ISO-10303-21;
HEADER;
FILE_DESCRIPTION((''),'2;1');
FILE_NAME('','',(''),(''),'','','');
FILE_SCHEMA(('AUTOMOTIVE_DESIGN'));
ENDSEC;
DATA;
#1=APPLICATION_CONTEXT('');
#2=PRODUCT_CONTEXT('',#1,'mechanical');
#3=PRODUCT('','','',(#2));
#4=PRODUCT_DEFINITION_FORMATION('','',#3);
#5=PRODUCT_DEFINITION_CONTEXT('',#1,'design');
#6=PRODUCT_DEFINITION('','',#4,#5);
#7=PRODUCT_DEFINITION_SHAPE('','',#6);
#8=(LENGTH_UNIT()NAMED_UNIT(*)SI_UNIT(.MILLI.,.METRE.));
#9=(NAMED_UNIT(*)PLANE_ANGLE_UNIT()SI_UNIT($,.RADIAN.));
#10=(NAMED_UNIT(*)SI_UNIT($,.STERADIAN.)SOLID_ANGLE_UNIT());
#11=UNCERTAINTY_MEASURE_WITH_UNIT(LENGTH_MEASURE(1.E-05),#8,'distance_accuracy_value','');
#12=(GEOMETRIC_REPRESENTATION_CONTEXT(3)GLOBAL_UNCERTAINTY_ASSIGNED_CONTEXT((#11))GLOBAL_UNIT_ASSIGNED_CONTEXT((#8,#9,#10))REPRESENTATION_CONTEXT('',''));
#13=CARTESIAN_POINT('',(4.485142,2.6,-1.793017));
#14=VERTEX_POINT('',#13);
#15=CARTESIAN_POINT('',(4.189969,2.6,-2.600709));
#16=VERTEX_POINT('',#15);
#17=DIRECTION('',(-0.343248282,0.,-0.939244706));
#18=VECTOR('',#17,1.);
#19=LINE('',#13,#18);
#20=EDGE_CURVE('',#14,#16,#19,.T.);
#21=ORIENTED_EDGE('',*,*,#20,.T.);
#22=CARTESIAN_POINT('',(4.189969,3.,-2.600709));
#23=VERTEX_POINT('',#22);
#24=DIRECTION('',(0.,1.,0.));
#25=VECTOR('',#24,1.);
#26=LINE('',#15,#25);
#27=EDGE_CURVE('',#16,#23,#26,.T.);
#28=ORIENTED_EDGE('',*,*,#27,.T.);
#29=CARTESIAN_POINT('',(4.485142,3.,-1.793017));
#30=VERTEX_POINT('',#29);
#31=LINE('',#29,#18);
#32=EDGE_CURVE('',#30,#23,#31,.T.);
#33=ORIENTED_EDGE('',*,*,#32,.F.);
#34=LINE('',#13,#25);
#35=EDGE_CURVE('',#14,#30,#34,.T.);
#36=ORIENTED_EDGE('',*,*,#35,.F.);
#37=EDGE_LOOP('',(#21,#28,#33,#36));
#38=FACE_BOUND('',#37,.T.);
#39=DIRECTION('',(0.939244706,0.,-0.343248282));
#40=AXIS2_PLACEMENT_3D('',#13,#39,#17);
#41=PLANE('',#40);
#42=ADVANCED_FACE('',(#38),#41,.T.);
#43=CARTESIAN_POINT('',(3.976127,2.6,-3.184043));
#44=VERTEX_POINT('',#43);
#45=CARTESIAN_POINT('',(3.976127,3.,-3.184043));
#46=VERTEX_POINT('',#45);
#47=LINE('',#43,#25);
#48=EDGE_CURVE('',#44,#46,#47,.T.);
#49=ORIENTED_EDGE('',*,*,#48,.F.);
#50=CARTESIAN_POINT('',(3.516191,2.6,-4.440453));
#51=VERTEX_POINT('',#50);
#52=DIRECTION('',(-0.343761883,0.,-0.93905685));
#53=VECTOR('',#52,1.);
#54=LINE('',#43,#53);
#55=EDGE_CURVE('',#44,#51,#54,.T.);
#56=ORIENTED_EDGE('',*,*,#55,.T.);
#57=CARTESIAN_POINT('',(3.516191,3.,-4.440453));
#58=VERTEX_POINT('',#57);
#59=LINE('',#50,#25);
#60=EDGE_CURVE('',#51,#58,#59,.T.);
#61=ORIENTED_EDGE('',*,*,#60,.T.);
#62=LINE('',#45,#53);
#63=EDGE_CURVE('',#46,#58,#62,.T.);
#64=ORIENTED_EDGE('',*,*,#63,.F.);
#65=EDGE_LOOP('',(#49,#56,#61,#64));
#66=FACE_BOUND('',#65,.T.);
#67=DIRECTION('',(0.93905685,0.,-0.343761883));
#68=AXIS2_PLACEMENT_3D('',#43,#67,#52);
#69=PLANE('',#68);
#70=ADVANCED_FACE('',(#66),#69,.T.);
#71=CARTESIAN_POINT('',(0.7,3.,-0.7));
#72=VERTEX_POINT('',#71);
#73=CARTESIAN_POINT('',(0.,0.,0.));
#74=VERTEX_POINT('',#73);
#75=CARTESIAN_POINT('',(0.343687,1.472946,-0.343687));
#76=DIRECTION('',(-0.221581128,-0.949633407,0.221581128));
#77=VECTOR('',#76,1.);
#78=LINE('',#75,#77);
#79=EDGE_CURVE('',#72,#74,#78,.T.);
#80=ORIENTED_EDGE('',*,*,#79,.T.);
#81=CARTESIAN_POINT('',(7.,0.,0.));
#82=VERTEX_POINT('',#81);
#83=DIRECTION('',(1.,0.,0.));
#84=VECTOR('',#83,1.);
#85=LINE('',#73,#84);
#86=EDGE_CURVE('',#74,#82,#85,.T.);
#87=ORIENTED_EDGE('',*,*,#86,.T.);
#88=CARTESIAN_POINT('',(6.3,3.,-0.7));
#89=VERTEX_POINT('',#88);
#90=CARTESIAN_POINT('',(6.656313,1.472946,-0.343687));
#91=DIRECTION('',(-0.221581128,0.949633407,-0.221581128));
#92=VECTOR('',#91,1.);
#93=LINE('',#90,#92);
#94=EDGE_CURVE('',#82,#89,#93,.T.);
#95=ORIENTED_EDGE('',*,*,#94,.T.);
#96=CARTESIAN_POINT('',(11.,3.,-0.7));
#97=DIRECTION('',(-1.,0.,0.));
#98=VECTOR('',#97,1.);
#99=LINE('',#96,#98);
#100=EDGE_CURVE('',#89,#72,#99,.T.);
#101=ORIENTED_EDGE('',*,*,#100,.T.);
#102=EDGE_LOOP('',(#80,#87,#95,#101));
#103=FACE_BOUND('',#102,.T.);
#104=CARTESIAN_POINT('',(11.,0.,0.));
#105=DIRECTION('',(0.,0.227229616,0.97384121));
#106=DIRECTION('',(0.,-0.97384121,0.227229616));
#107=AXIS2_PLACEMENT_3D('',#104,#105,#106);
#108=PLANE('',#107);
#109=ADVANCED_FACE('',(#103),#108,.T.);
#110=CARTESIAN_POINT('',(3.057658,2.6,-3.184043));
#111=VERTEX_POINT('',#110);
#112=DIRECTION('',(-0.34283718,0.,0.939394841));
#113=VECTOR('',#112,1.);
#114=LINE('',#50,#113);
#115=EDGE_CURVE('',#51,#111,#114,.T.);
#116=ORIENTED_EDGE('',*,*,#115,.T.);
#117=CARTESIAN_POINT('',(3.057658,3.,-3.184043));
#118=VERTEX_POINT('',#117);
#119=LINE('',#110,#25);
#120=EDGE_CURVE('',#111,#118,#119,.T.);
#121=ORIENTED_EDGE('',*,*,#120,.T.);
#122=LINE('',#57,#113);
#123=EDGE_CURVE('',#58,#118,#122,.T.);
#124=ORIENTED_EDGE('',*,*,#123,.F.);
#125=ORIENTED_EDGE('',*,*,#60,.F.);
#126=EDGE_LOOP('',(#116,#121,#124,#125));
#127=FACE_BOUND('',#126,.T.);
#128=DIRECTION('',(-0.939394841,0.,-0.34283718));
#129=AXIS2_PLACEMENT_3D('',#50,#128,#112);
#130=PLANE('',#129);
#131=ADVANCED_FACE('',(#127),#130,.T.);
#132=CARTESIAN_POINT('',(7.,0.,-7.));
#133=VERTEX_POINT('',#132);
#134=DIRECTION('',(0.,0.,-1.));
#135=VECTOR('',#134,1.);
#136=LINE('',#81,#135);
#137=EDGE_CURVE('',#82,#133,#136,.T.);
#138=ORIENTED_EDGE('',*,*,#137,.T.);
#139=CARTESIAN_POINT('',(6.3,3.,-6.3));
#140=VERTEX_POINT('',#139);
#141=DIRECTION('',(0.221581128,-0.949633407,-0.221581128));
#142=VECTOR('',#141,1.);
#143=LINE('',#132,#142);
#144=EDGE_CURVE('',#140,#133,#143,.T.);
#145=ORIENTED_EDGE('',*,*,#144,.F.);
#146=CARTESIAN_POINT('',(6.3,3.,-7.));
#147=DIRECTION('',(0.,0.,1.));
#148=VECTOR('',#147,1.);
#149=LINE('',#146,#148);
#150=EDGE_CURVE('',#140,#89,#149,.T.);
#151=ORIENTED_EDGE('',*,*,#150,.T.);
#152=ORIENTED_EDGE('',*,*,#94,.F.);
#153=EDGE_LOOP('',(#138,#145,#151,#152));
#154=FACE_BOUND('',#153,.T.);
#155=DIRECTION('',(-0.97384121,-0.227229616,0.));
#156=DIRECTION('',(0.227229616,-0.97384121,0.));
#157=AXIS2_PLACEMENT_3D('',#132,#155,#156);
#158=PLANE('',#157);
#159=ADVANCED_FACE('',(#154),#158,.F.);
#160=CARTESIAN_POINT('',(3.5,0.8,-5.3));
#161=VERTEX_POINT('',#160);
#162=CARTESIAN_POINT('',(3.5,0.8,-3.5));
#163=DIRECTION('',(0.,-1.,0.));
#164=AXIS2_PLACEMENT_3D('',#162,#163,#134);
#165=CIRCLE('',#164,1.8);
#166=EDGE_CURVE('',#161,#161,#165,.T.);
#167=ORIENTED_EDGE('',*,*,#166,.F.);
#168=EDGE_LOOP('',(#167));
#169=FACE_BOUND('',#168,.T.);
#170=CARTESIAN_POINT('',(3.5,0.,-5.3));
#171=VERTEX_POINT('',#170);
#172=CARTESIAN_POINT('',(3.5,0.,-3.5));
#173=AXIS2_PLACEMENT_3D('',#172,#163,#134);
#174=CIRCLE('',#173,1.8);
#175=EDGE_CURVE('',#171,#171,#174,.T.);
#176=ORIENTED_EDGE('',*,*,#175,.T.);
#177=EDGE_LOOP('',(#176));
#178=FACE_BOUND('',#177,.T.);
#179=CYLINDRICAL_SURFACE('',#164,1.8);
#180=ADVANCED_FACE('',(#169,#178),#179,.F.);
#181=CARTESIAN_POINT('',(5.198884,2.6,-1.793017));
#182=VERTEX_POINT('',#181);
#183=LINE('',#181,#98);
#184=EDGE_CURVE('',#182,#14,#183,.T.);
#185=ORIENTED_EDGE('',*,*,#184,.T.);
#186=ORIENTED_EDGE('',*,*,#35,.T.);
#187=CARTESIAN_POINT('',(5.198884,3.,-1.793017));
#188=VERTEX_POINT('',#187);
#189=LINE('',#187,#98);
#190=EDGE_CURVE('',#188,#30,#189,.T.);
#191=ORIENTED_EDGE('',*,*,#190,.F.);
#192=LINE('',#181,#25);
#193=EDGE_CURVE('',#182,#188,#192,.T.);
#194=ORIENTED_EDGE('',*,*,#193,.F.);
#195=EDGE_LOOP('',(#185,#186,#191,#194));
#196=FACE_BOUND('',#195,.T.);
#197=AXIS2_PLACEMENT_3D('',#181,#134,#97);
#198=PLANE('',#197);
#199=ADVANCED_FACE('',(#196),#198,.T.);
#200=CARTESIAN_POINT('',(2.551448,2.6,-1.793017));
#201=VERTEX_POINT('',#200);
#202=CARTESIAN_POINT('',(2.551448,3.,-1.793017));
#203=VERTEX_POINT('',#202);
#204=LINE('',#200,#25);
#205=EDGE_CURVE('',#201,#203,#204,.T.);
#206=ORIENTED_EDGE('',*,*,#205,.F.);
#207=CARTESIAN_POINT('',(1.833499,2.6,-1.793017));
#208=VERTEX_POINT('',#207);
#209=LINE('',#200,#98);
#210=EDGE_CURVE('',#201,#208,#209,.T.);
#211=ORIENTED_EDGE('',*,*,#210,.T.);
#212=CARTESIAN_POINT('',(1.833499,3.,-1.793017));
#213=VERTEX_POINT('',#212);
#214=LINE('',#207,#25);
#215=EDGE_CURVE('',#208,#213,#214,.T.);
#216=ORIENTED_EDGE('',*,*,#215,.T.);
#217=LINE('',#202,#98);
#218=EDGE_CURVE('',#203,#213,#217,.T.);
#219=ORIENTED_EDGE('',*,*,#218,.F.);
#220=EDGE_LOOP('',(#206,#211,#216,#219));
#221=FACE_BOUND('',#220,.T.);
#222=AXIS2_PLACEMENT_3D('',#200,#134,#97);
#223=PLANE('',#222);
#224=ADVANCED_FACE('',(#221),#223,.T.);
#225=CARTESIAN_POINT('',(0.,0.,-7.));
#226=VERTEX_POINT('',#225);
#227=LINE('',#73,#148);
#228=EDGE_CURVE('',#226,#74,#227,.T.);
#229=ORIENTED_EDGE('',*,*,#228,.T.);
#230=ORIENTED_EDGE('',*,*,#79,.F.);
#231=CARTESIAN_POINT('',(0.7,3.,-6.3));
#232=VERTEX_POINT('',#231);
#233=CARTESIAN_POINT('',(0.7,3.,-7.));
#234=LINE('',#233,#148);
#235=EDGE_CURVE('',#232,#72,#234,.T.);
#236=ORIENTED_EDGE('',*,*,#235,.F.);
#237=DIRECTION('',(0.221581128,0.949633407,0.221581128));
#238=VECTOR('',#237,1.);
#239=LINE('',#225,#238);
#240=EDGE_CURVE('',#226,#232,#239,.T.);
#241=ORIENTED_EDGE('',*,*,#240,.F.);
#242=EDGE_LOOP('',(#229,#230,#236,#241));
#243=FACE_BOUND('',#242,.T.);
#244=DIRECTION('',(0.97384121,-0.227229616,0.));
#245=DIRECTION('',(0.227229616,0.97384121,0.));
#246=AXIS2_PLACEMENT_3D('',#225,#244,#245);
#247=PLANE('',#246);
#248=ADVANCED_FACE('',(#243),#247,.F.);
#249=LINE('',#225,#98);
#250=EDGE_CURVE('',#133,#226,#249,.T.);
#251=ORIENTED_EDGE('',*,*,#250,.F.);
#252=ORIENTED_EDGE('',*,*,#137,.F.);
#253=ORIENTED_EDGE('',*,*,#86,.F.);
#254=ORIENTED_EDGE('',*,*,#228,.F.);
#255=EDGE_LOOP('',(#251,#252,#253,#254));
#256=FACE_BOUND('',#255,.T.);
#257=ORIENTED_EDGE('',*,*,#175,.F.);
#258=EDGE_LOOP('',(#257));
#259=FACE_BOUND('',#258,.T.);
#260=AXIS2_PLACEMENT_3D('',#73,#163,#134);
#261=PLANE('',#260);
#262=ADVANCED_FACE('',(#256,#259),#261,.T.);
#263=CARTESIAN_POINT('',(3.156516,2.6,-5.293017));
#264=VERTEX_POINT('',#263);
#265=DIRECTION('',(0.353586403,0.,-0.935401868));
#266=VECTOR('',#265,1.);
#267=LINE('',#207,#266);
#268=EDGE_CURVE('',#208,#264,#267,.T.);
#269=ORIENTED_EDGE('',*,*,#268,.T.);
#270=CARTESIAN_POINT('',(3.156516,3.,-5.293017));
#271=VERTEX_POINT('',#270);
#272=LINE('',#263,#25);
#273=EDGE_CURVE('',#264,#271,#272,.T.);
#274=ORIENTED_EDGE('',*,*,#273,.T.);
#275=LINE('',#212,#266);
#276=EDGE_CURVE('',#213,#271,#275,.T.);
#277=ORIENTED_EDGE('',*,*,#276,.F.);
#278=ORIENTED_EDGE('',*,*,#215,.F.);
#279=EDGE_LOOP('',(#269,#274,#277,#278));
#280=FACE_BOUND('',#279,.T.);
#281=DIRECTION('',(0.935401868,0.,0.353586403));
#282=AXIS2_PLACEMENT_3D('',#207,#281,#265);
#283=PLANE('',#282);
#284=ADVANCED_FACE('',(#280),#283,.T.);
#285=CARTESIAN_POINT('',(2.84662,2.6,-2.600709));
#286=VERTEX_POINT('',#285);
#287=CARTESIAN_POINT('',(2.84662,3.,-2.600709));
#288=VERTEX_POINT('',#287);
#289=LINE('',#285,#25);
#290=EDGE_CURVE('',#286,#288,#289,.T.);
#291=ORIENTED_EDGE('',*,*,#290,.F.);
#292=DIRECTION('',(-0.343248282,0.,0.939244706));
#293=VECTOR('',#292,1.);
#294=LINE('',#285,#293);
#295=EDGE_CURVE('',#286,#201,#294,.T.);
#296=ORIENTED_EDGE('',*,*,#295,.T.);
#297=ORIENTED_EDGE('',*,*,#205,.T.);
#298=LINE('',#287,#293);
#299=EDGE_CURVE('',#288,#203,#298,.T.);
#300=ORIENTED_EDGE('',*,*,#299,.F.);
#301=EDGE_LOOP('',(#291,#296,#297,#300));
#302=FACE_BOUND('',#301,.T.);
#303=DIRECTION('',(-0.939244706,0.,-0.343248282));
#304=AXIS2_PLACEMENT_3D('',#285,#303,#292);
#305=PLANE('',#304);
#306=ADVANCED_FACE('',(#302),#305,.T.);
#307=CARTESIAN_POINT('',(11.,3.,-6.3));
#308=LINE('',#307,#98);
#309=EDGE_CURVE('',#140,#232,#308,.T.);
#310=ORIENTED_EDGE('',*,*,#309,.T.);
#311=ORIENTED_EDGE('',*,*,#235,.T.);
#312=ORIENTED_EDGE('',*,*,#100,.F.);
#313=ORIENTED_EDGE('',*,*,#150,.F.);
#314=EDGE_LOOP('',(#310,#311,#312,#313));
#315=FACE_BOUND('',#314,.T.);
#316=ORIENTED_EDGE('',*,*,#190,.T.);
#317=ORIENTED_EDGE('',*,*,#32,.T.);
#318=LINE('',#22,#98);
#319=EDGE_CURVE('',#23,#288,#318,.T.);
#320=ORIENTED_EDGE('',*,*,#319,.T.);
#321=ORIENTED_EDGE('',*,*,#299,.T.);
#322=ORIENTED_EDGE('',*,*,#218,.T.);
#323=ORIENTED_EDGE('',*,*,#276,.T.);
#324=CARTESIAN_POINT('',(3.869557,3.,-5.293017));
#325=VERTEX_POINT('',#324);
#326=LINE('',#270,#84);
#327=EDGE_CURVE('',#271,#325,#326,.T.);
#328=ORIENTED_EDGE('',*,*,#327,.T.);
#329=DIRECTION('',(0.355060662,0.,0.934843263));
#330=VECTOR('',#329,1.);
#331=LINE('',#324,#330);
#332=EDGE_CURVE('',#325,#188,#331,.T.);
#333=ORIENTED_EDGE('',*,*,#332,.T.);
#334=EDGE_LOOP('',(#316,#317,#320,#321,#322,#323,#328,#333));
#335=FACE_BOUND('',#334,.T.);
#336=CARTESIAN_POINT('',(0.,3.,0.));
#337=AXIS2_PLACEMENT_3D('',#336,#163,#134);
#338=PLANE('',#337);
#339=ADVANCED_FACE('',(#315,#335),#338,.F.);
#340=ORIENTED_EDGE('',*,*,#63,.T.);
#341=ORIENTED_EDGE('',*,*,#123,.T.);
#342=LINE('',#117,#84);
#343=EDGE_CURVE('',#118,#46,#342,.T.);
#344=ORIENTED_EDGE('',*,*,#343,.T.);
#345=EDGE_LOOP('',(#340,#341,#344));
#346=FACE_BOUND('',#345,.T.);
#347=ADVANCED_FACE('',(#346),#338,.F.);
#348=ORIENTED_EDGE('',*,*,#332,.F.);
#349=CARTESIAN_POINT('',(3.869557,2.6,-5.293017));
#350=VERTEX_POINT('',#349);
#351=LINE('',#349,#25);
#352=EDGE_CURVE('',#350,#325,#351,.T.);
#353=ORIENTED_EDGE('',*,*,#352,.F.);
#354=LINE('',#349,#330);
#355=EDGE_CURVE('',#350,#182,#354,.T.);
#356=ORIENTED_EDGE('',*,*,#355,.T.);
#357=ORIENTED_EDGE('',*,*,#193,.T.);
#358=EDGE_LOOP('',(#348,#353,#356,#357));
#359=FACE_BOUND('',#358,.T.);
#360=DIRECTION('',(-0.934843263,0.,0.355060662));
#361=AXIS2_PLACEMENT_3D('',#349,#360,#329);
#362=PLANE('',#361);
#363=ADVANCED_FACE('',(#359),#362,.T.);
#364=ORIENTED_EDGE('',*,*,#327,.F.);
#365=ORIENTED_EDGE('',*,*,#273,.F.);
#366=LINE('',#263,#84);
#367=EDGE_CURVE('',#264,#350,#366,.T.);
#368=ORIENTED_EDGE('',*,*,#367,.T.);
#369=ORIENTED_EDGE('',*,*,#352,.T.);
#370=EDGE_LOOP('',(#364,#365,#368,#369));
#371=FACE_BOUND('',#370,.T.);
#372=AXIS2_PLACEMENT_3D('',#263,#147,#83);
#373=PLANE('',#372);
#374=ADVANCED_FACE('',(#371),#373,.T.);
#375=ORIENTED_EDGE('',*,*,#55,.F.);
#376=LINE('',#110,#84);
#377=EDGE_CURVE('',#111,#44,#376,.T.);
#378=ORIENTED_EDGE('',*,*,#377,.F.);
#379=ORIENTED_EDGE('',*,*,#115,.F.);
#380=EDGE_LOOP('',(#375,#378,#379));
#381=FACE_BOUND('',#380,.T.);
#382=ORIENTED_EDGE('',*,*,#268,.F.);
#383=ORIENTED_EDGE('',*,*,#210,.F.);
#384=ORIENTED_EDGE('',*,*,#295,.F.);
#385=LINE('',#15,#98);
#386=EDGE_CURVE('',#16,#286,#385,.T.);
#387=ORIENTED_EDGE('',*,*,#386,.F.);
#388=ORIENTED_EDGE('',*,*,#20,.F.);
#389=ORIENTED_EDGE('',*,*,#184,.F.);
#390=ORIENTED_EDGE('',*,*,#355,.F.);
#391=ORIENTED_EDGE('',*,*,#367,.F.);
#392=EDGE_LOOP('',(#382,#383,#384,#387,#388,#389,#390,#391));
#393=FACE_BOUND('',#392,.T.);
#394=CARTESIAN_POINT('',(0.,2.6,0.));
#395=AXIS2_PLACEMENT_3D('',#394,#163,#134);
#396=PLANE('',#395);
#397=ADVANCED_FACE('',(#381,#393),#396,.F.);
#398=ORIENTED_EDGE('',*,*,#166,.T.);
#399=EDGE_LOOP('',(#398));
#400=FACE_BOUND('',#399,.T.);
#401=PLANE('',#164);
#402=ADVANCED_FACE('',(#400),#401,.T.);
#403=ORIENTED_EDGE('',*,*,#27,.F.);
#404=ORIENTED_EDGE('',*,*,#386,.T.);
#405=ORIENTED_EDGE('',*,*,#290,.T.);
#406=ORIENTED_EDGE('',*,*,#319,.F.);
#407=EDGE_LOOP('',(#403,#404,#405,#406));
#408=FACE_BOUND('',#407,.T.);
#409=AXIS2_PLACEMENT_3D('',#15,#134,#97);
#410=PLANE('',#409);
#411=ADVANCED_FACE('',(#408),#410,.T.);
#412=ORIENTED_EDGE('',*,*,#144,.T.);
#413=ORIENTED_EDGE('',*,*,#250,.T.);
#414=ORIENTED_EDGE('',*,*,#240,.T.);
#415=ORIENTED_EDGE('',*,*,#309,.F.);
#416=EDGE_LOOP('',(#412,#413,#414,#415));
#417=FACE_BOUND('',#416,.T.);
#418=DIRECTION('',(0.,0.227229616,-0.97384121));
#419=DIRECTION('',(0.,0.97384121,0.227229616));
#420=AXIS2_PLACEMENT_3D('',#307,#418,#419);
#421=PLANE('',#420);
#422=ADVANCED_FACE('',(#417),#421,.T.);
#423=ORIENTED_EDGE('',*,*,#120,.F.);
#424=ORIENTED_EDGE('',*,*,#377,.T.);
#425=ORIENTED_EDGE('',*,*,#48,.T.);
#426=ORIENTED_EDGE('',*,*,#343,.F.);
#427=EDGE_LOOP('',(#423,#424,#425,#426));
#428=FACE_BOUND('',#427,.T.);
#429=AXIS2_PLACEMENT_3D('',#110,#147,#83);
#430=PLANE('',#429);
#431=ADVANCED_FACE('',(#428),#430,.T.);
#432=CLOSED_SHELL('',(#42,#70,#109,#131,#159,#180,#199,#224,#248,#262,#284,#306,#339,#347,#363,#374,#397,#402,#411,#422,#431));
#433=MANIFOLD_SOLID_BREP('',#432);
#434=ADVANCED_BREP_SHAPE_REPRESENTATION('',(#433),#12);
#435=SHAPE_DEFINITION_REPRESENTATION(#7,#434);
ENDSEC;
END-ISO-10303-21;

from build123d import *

# Parameters (mm, degrees)
SKETCH1_W           = 7
SKETCH1_H           = 7
BOSS_EXTRUDE1_DEPTH = 3
CUT_EXTRUDE1_DEPTH  = 7
CUT_EXTRUDE2_DEPTH  = 11
SKETCH4_R           = 1.8
CUT_EXTRUDE3_DEPTH  = 0.8
CUT_EXTRUDE4_DEPTH  = 0.4


with BuildPart() as part:
    # Sketch1 → Boss-Extrude1 (new body)
    with BuildSketch(Plane(origin=(0, 0, 0), x_dir=(1, 0, 0), z_dir=(0, 1, 0))):
        with Locations((3.5, 3.5)):
            Rectangle(SKETCH1_W, SKETCH1_H)
    extrude(amount=BOSS_EXTRUDE1_DEPTH)

    # Sketch2 → Cut-Extrude1 (cut)
    with BuildSketch(Plane.XY):
        Polygon((0, 0), (0.7, 3), (0, 3), align=None)
        Polygon((7, 0), (6.3, 3), (7, 3), align=None)
    extrude(amount=-CUT_EXTRUDE1_DEPTH, mode=Mode.SUBTRACT)

    # Sketch3 → Cut-Extrude2 (cut)
    with BuildSketch(Plane(origin=(0, 0, 0), x_dir=(0, 0, -1), z_dir=(1, 0, 0))):
        Polygon((0, 0), (0.7, 3), (0, 3), align=None)
        Polygon((7, 3), (6.3, 3), (7, 0), align=None)
    extrude(amount=CUT_EXTRUDE2_DEPTH, mode=Mode.SUBTRACT)

    # Sketch4 → Cut-Extrude3 (cut)
    with BuildSketch(Plane.XZ):
        with Locations(Location((3.5, -3.5, 0), (0, 0, 270))):
            Circle(SKETCH4_R)
    extrude(amount=-CUT_EXTRUDE3_DEPTH, mode=Mode.SUBTRACT)

    # Sketch5 → Cut-Extrude4 (cut)
    with BuildSketch(Plane(origin=(0, 3, 0), x_dir=(1, 0, 0), z_dir=(0, 1, 0))):
        Polygon((5.198883611, 1.79301719), (4.485141624, 1.79301719), (4.189969348, 2.600709497), (2.846619989, 2.600709497), (2.551447713, 1.79301719), (1.833498995, 1.79301719), (3.156515822, 5.29301719), (3.869556688, 5.29301719), align=None)
        Polygon((3.976127201, 3.184042831), (3.516191303, 4.440453087), (3.057657649, 3.184042831), align=None, mode=Mode.SUBTRACT)
    extrude(amount=-CUT_EXTRUDE4_DEPTH, mode=Mode.SUBTRACT)


solid = part.part
